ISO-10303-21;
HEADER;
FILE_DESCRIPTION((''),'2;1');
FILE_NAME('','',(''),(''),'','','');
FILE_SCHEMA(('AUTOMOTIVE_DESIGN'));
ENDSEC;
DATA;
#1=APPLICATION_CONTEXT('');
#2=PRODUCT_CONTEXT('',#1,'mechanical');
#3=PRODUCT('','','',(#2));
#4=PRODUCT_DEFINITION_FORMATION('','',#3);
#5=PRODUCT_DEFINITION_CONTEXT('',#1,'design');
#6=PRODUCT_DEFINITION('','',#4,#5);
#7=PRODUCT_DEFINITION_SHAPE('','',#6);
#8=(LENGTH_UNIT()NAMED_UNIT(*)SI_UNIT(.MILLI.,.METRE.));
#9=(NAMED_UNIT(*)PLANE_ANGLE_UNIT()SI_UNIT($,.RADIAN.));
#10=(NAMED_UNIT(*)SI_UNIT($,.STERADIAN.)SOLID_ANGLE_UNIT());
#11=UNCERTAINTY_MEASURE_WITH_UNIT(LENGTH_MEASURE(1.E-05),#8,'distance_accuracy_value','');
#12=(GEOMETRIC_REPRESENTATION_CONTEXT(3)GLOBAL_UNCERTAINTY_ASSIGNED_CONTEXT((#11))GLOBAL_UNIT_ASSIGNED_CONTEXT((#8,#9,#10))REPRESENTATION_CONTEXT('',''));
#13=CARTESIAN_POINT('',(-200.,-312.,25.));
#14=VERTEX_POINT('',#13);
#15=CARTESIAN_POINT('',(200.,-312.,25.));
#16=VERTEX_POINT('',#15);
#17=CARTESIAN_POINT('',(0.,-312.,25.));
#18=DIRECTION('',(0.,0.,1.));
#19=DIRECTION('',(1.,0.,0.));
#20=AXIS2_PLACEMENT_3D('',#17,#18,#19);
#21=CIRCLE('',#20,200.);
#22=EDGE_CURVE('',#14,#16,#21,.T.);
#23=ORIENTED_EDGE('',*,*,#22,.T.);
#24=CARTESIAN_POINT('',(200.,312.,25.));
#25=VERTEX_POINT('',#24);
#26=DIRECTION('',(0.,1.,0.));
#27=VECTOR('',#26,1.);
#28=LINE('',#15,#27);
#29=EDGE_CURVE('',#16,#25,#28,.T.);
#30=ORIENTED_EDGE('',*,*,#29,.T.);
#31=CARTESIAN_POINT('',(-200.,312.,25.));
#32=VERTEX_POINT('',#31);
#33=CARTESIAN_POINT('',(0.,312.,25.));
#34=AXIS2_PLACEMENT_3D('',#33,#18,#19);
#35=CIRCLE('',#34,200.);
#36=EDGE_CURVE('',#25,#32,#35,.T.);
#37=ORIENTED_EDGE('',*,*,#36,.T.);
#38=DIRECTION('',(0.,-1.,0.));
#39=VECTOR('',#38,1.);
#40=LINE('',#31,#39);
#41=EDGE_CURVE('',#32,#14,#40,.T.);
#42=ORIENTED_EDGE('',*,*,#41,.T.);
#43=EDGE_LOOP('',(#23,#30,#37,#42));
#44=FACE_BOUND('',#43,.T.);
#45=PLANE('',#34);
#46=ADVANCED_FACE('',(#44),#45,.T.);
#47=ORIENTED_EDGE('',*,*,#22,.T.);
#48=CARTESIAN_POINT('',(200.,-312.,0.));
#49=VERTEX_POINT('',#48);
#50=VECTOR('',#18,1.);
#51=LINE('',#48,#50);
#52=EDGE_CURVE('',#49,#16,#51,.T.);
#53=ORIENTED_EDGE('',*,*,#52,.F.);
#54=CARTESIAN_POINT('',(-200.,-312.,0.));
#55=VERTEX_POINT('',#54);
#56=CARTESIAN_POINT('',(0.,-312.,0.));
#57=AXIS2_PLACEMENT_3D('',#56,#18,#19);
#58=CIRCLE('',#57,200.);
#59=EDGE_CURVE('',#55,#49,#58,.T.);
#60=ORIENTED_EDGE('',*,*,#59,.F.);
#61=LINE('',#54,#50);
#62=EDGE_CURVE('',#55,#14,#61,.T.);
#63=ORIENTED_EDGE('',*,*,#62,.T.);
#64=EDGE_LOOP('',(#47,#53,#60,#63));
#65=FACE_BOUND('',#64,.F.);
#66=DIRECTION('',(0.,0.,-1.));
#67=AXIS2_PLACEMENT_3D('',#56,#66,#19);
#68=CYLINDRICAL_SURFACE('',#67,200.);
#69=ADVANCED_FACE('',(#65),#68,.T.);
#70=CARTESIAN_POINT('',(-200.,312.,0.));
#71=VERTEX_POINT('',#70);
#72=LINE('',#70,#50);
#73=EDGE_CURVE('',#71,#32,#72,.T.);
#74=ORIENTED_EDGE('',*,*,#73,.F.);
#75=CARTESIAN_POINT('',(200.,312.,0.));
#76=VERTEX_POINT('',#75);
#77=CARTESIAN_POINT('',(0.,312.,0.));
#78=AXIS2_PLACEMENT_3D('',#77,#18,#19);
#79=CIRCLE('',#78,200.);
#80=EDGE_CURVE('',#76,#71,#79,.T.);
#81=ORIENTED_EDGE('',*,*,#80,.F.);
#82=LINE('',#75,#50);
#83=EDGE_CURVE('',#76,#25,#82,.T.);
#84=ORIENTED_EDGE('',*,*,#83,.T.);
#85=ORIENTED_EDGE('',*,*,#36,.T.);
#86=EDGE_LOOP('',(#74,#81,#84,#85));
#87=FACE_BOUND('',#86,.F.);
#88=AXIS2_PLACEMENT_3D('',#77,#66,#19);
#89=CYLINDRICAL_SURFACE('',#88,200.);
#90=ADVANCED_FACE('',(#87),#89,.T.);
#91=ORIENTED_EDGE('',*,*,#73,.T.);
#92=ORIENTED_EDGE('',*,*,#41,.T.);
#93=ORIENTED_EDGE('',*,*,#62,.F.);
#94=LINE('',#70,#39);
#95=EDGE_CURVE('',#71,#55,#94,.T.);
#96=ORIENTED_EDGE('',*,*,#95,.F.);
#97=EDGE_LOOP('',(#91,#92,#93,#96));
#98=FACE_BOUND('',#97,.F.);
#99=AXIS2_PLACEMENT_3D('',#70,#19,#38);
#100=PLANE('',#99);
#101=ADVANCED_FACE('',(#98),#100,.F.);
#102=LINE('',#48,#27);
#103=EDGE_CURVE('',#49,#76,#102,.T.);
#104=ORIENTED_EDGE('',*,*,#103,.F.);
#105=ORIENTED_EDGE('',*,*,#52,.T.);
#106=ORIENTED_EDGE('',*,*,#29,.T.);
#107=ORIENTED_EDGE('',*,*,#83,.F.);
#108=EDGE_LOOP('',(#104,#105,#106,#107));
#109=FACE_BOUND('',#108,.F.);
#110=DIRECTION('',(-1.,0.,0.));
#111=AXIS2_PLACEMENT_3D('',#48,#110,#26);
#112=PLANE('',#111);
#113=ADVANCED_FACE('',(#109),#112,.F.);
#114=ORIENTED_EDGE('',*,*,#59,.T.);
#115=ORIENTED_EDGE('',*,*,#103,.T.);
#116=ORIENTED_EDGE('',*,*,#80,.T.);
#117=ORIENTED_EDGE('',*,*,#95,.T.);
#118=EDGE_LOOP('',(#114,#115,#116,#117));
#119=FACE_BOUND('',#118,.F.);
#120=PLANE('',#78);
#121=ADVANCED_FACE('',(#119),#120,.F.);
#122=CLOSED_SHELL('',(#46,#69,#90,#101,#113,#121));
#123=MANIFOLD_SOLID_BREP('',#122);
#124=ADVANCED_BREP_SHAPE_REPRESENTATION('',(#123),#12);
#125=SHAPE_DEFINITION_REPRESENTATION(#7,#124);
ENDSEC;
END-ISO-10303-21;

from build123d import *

# Parameters (mm, degrees)
F1_DEPTH = 25


with BuildPart() as f1:
    # F0 (on Top) → F1 (new body)
    with BuildSketch(Plane.XY):
        with BuildLine():
            ThreePointArc((-200, 312), (0, 112), (200, 312))
            ThreePointArc((200, 312), (0, 512), (-200, 312))
        make_face()
        with BuildLine():
            Line((200, -312), (200, 312))
            ThreePointArc((200, 312), (0, 112), (-200, 312))
            Line((-200, 312), (-200, -312))
            ThreePointArc((-200, -312), (0, -112), (200, -312))
        make_face()
        with BuildLine():
            ThreePointArc((-200, -312), (0, -512), (200, -312))
            ThreePointArc((200, -312), (0, -112), (-200, -312))
        make_face()
    extrude(amount=F1_DEPTH)


solid = f1.part
